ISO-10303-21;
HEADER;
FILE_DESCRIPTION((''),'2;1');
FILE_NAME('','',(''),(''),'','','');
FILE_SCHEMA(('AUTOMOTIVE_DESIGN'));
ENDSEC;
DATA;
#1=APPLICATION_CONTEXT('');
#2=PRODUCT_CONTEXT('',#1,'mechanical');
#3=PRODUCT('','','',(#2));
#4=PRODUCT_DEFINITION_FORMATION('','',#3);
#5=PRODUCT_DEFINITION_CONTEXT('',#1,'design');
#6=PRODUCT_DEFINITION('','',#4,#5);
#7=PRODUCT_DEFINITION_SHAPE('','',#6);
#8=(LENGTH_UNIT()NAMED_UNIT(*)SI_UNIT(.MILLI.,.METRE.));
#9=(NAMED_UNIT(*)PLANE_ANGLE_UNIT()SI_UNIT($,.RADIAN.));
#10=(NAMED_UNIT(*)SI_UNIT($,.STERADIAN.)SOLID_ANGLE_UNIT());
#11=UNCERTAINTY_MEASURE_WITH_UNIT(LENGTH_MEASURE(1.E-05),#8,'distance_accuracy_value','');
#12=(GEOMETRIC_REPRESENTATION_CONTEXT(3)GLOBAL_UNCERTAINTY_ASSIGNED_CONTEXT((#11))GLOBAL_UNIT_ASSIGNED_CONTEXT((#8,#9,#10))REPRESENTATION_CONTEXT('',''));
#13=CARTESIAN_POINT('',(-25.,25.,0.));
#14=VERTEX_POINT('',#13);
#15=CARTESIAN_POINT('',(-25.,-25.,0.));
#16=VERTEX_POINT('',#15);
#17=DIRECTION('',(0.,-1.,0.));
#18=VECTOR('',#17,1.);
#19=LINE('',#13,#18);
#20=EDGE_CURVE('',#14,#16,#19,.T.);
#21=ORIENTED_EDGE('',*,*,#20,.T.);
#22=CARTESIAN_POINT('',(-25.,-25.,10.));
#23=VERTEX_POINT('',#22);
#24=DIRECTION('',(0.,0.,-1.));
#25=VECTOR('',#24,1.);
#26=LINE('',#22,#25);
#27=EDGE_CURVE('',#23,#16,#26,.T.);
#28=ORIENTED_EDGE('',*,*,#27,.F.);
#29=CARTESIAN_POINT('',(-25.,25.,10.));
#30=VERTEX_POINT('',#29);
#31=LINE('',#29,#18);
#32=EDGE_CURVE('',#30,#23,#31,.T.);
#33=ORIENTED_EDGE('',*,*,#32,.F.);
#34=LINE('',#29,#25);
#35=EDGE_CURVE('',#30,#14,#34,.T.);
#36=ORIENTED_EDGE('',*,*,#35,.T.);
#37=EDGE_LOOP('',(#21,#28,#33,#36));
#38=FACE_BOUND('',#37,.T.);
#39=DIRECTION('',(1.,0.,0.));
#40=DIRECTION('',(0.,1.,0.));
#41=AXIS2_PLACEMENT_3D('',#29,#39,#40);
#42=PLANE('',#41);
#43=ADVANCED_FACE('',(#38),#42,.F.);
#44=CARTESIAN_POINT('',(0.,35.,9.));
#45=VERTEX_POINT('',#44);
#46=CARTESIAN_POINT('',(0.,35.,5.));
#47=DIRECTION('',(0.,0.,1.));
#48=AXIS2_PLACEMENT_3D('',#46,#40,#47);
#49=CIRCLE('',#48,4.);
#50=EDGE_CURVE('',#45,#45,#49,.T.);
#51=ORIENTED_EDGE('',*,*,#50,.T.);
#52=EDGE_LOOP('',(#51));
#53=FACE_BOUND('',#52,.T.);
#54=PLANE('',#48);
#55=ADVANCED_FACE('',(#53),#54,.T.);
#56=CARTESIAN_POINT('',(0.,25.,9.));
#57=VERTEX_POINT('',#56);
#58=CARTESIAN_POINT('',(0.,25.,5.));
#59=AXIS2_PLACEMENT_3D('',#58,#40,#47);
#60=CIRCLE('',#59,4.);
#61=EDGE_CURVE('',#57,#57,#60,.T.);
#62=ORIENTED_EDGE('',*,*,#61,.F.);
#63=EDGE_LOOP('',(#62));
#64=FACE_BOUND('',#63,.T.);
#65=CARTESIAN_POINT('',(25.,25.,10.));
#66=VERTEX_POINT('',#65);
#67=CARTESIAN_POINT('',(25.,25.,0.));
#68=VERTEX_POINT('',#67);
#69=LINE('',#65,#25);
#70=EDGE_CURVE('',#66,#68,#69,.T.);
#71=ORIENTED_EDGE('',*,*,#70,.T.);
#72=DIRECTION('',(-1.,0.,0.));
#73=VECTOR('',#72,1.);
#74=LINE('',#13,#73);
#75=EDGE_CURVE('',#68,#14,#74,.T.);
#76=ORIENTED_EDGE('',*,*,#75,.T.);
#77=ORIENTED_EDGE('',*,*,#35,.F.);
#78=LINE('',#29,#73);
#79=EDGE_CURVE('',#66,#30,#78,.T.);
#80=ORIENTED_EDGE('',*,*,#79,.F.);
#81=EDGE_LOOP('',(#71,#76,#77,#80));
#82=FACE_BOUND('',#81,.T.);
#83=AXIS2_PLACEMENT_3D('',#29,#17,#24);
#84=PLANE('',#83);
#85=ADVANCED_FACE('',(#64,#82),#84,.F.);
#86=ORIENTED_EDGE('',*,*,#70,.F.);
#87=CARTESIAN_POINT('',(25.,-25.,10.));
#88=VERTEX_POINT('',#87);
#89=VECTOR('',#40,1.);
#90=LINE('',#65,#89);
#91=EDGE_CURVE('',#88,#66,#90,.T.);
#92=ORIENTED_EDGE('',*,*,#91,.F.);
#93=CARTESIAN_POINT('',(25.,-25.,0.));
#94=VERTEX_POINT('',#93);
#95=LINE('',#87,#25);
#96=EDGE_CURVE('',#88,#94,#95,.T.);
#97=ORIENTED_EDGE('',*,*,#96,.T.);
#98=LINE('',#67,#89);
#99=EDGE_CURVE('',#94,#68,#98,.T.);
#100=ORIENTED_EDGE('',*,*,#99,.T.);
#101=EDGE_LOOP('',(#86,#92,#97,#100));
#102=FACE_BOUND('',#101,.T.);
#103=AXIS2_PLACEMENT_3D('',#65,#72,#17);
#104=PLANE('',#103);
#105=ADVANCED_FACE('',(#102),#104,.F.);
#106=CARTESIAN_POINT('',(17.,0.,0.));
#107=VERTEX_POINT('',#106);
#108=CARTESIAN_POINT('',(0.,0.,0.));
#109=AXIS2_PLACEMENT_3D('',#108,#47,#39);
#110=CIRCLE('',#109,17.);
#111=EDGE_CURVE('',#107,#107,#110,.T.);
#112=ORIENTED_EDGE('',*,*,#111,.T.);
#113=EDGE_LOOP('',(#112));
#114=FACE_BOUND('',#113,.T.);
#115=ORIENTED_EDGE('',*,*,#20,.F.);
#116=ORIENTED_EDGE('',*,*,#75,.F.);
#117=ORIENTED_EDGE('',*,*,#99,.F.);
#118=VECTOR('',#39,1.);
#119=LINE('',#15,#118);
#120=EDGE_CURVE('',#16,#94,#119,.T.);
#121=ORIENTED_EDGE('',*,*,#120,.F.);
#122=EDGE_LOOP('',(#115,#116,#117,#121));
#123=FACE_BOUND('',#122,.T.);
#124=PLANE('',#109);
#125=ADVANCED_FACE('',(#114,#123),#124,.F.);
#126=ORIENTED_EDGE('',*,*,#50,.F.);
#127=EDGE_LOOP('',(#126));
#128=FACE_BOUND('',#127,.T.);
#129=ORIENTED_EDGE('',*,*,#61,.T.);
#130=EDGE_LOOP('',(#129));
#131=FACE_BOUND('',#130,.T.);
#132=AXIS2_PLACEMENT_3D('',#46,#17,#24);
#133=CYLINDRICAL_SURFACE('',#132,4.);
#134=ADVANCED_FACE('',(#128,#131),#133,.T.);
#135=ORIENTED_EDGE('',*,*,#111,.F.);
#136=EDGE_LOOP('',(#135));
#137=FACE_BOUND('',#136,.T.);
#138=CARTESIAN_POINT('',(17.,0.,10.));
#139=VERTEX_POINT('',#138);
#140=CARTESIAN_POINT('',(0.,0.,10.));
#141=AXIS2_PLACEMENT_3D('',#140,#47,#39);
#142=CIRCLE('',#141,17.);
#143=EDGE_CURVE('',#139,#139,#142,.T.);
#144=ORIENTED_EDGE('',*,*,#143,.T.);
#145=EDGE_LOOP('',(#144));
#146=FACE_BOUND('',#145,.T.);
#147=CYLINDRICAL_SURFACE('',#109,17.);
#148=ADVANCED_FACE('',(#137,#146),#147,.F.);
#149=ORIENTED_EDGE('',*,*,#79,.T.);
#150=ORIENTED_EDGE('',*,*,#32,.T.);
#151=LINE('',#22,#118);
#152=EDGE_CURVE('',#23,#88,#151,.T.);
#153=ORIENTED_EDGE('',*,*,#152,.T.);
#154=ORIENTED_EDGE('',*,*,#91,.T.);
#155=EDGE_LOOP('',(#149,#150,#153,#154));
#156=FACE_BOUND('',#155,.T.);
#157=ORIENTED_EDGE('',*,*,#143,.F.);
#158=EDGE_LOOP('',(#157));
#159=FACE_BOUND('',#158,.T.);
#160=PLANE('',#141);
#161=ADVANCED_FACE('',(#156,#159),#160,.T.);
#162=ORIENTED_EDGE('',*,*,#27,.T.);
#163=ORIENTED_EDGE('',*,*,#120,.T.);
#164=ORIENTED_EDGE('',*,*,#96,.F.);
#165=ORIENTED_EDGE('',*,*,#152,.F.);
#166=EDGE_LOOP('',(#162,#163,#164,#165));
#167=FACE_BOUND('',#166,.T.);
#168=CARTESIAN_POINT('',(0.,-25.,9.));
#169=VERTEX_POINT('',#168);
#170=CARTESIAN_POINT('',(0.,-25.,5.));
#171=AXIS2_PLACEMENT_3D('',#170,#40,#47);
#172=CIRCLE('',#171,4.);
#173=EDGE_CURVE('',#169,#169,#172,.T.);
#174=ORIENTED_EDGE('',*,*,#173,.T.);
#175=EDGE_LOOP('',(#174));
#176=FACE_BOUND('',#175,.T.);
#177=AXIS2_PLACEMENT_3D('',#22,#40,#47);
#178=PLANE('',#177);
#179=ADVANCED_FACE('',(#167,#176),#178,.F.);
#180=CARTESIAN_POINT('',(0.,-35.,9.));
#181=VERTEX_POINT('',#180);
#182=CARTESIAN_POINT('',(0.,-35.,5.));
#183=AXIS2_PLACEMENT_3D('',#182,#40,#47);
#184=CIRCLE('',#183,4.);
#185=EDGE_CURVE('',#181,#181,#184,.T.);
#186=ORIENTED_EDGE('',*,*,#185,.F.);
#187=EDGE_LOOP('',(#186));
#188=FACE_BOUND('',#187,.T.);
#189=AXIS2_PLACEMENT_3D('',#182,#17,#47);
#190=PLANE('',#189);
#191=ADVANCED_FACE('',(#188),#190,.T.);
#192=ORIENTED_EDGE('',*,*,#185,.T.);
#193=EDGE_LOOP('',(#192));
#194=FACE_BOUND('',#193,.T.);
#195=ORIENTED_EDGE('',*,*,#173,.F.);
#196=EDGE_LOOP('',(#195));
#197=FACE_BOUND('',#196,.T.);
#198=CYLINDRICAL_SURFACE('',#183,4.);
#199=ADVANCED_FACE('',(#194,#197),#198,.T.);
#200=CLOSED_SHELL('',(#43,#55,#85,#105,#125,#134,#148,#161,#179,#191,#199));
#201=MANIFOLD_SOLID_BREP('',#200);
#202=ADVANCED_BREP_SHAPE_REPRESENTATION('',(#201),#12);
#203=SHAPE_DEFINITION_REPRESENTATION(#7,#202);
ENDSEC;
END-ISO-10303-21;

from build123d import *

# Parameters (mm, degrees)
SKETCH1_W           = 50
SKETCH1_H           = 50
BOSS_EXTRUDE1_DEPTH = 10
SKETCH2_R           = 17
CUT_EXTRUDE1_DEPTH  = 10
SKETCH3_R           = 4
BOSS_EXTRUDE2_DEPTH = 10


with BuildPart() as part:
    # Sketch1 → Boss-Extrude1 (new body)
    with BuildSketch(Plane.XY):
        Rectangle(SKETCH1_W, SKETCH1_H)
    extrude(amount=BOSS_EXTRUDE1_DEPTH)

    # Sketch2 → Cut-Extrude1 (cut)
    with BuildSketch(Plane.XY.offset(10)):
        Circle(SKETCH2_R)
    extrude(amount=-CUT_EXTRUDE1_DEPTH, mode=Mode.SUBTRACT)

    # Sketch3 → Boss-Extrude2 (add)
    with BuildSketch(Plane(origin=(0, 25, 0), x_dir=(1, 0, 0), z_dir=(0, 1, 0))):
        with Locations(Location((0, -5, 0), (0, 0, 270))):
            Circle(SKETCH3_R)
    boss_extrude2 = extrude(amount=BOSS_EXTRUDE2_DEPTH)

    # Mirror1: Boss-Extrude2 across plane
    add(boss_extrude2.mirror(Plane.ZX))


solid = part.part
